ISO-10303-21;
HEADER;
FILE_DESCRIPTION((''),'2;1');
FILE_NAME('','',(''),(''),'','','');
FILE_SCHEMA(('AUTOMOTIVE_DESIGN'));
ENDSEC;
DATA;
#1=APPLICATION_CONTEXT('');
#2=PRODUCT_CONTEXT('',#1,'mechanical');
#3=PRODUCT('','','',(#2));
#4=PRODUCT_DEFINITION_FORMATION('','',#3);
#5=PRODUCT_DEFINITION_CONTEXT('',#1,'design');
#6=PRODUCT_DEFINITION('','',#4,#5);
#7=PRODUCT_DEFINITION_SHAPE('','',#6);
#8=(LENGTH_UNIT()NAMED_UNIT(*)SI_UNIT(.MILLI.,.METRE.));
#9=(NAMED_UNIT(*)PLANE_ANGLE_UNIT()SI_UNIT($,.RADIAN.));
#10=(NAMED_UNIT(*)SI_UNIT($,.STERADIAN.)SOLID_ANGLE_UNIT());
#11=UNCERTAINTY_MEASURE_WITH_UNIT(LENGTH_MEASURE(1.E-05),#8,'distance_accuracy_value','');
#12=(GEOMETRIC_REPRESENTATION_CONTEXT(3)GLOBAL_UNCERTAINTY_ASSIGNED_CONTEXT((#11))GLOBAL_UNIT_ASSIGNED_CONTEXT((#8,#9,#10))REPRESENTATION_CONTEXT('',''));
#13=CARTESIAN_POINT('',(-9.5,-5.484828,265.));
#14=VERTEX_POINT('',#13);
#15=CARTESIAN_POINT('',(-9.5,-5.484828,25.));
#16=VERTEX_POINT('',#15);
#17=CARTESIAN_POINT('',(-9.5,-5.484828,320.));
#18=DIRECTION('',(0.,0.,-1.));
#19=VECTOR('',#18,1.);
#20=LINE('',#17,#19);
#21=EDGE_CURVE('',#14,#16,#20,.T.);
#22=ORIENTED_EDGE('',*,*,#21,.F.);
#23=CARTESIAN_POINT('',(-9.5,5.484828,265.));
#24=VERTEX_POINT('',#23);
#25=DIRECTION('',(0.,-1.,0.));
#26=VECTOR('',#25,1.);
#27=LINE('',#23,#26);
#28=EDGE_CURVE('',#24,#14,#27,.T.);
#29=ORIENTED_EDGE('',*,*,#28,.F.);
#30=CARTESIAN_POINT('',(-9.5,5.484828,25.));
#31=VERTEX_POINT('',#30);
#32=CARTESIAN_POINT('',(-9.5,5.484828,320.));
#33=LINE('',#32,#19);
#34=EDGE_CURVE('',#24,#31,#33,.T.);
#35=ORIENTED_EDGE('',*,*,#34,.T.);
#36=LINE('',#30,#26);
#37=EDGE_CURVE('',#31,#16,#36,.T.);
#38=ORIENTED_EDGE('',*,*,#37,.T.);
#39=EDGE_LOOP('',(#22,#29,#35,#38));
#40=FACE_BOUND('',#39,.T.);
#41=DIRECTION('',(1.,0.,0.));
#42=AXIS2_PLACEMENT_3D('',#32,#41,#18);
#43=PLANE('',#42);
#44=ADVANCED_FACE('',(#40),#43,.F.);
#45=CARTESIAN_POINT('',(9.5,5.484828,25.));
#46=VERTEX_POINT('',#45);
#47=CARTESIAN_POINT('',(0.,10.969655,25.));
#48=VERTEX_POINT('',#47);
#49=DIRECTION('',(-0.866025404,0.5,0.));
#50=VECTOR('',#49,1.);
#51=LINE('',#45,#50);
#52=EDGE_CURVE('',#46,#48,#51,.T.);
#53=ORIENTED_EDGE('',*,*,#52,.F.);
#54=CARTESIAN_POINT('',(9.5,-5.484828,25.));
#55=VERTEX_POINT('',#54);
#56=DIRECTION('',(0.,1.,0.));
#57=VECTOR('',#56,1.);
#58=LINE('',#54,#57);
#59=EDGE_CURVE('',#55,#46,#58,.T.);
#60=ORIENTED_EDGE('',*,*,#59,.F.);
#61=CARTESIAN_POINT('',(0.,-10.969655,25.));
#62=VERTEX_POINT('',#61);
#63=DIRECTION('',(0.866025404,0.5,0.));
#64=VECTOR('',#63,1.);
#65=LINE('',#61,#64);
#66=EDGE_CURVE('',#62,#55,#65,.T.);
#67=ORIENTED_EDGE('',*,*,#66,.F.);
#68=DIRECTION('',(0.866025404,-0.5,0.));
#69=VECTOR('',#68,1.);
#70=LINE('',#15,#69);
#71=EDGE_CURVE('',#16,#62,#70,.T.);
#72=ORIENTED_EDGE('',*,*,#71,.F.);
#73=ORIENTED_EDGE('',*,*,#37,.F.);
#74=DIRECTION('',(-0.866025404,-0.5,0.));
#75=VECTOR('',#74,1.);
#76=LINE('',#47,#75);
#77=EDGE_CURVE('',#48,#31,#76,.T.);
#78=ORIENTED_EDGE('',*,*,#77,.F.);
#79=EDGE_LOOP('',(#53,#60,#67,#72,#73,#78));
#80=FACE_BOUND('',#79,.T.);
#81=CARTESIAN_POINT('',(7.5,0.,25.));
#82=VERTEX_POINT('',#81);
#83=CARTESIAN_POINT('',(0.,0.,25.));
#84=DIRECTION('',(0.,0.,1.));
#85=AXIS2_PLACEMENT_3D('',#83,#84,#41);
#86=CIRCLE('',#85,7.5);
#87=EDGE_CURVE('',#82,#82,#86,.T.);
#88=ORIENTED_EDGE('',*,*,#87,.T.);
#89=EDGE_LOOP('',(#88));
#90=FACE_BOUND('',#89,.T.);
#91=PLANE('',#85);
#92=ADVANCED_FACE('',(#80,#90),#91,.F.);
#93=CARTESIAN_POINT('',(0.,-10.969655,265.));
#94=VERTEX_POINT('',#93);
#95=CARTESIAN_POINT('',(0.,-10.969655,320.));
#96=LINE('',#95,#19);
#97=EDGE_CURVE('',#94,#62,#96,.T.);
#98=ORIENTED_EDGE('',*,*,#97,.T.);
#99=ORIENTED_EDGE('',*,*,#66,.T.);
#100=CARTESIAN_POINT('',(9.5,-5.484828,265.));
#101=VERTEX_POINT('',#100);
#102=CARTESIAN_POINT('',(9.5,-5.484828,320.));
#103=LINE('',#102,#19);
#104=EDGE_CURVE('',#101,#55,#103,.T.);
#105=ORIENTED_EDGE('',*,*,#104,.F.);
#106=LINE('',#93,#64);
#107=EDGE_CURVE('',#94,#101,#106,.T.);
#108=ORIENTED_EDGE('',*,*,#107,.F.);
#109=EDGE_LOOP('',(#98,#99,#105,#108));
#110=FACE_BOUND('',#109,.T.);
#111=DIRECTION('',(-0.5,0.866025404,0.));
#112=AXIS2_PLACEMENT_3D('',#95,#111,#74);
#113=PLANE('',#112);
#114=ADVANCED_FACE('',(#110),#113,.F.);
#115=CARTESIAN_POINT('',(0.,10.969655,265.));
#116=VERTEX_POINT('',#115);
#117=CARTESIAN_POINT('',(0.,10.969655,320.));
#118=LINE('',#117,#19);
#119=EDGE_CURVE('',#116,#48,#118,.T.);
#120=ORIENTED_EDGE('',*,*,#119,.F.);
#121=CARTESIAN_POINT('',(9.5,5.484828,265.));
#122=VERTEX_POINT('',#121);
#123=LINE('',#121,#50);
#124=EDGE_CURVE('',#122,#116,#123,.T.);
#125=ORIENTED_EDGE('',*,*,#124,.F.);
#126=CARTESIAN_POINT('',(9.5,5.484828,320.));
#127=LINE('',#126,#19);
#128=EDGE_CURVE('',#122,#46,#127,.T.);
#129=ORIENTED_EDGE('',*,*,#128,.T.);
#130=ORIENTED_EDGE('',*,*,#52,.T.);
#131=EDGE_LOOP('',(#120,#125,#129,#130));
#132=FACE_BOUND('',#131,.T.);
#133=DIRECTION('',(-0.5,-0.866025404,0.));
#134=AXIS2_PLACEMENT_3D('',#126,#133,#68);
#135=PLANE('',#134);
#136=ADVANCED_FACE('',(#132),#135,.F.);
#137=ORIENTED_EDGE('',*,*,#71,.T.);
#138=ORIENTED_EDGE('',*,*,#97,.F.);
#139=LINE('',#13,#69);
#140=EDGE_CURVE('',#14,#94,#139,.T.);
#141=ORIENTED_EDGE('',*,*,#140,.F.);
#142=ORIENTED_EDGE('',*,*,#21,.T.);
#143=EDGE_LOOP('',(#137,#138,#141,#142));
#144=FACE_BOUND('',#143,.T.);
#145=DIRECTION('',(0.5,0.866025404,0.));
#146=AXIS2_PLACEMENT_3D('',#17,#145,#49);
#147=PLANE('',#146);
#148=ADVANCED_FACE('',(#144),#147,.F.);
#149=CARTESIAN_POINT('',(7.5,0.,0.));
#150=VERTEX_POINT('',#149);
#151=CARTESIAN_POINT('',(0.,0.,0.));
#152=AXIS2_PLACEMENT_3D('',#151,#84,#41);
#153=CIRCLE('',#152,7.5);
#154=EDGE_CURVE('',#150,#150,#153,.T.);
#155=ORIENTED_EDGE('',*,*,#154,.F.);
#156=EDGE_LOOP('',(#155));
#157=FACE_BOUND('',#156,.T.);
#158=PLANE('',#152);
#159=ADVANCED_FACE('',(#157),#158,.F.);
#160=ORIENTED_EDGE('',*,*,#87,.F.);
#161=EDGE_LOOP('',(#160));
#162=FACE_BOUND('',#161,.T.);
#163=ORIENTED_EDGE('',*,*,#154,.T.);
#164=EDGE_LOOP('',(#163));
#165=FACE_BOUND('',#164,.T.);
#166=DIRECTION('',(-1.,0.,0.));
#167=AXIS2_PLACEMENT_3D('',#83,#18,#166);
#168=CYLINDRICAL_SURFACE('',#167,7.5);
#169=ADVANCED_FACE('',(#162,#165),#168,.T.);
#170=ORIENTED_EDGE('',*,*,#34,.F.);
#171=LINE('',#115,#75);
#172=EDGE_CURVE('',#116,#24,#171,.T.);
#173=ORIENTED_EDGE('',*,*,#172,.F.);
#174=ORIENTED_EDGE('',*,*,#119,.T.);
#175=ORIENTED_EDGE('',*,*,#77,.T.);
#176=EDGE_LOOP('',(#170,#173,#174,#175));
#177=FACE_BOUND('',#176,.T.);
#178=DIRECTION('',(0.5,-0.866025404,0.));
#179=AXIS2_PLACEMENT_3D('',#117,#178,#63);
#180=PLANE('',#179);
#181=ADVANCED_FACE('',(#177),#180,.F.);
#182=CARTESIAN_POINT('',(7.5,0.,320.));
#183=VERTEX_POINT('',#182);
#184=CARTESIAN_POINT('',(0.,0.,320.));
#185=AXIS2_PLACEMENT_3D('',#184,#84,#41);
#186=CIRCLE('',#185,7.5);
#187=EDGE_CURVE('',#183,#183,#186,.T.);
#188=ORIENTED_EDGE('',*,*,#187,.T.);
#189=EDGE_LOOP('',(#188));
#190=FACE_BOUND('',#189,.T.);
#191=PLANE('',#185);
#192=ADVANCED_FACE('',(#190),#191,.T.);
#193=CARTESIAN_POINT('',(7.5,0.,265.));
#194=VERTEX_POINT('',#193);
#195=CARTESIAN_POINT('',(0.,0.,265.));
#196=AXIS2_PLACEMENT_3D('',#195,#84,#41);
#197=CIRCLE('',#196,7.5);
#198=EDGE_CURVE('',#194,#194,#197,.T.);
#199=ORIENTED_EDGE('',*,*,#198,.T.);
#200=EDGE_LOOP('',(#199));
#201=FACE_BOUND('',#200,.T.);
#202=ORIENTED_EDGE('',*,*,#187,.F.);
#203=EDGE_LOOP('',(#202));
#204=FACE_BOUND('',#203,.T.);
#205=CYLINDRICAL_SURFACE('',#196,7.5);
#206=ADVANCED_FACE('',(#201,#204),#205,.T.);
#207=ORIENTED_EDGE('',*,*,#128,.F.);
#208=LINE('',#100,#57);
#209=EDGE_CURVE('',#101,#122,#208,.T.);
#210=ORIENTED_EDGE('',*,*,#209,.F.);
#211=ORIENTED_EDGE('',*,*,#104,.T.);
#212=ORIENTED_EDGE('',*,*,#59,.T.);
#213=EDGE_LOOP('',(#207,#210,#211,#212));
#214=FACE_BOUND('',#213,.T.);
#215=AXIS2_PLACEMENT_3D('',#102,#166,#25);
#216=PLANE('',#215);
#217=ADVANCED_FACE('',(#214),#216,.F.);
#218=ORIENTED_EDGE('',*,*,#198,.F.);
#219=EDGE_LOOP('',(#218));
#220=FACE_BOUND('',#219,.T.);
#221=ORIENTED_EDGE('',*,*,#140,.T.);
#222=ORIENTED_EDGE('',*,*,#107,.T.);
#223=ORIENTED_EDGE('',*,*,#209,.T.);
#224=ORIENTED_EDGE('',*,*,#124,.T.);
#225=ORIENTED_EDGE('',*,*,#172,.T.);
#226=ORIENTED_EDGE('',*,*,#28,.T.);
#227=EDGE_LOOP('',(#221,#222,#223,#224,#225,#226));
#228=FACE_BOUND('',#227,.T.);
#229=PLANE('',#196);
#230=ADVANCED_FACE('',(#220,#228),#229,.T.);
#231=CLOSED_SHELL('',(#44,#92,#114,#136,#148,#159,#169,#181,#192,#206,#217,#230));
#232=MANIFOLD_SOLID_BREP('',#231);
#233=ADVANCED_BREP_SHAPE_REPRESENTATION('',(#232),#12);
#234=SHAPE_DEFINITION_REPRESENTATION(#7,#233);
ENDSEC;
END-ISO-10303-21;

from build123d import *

# Parameters (mm, degrees)
BOSS_EXTRU_1_DEPTH      = 320
ESQUISSE2_R             = 10.969655115
ESQUISSE2_R_2           = 7.5
ENL_V_MAT_EXTRU_1_DEPTH = 55
ENL_V_START             = -295
ESQUISSE2_2_R           = 10.969655115
ESQUISSE2_2_R_2         = 7.5
ENL_V_MAT_EXTRU_2_DEPTH = 25


with BuildPart() as part:
    # Esquisse1 → Boss.-Extru.1 (new body)
    with BuildSketch(Plane.XY):
        Polygon((9.5, -5.484827557), (9.5, 5.484827557), (0, 10.969655115), (-9.5, 5.484827557), (-9.5, -5.484827557), (0, -10.969655115), align=None)
    extrude(amount=BOSS_EXTRU_1_DEPTH)

    # Esquisse2 → Enlèv. mat.-Extru.1 (cut)
    with BuildSketch(Plane.XY.offset(320)):
        Circle(ESQUISSE2_R)
        Circle(ESQUISSE2_R_2, mode=Mode.SUBTRACT)
    extrude(amount=-ENL_V_MAT_EXTRU_1_DEPTH, mode=Mode.SUBTRACT)

    # Esquisse2<2> → Enlèv. mat.-Extru.2 (cut)
    with BuildSketch(Plane.XY.offset(320).offset(ENL_V_START)):
        Circle(ESQUISSE2_2_R)
        Circle(ESQUISSE2_2_R_2, mode=Mode.SUBTRACT)
    extrude(amount=-ENL_V_MAT_EXTRU_2_DEPTH, mode=Mode.SUBTRACT)


solid = part.part
